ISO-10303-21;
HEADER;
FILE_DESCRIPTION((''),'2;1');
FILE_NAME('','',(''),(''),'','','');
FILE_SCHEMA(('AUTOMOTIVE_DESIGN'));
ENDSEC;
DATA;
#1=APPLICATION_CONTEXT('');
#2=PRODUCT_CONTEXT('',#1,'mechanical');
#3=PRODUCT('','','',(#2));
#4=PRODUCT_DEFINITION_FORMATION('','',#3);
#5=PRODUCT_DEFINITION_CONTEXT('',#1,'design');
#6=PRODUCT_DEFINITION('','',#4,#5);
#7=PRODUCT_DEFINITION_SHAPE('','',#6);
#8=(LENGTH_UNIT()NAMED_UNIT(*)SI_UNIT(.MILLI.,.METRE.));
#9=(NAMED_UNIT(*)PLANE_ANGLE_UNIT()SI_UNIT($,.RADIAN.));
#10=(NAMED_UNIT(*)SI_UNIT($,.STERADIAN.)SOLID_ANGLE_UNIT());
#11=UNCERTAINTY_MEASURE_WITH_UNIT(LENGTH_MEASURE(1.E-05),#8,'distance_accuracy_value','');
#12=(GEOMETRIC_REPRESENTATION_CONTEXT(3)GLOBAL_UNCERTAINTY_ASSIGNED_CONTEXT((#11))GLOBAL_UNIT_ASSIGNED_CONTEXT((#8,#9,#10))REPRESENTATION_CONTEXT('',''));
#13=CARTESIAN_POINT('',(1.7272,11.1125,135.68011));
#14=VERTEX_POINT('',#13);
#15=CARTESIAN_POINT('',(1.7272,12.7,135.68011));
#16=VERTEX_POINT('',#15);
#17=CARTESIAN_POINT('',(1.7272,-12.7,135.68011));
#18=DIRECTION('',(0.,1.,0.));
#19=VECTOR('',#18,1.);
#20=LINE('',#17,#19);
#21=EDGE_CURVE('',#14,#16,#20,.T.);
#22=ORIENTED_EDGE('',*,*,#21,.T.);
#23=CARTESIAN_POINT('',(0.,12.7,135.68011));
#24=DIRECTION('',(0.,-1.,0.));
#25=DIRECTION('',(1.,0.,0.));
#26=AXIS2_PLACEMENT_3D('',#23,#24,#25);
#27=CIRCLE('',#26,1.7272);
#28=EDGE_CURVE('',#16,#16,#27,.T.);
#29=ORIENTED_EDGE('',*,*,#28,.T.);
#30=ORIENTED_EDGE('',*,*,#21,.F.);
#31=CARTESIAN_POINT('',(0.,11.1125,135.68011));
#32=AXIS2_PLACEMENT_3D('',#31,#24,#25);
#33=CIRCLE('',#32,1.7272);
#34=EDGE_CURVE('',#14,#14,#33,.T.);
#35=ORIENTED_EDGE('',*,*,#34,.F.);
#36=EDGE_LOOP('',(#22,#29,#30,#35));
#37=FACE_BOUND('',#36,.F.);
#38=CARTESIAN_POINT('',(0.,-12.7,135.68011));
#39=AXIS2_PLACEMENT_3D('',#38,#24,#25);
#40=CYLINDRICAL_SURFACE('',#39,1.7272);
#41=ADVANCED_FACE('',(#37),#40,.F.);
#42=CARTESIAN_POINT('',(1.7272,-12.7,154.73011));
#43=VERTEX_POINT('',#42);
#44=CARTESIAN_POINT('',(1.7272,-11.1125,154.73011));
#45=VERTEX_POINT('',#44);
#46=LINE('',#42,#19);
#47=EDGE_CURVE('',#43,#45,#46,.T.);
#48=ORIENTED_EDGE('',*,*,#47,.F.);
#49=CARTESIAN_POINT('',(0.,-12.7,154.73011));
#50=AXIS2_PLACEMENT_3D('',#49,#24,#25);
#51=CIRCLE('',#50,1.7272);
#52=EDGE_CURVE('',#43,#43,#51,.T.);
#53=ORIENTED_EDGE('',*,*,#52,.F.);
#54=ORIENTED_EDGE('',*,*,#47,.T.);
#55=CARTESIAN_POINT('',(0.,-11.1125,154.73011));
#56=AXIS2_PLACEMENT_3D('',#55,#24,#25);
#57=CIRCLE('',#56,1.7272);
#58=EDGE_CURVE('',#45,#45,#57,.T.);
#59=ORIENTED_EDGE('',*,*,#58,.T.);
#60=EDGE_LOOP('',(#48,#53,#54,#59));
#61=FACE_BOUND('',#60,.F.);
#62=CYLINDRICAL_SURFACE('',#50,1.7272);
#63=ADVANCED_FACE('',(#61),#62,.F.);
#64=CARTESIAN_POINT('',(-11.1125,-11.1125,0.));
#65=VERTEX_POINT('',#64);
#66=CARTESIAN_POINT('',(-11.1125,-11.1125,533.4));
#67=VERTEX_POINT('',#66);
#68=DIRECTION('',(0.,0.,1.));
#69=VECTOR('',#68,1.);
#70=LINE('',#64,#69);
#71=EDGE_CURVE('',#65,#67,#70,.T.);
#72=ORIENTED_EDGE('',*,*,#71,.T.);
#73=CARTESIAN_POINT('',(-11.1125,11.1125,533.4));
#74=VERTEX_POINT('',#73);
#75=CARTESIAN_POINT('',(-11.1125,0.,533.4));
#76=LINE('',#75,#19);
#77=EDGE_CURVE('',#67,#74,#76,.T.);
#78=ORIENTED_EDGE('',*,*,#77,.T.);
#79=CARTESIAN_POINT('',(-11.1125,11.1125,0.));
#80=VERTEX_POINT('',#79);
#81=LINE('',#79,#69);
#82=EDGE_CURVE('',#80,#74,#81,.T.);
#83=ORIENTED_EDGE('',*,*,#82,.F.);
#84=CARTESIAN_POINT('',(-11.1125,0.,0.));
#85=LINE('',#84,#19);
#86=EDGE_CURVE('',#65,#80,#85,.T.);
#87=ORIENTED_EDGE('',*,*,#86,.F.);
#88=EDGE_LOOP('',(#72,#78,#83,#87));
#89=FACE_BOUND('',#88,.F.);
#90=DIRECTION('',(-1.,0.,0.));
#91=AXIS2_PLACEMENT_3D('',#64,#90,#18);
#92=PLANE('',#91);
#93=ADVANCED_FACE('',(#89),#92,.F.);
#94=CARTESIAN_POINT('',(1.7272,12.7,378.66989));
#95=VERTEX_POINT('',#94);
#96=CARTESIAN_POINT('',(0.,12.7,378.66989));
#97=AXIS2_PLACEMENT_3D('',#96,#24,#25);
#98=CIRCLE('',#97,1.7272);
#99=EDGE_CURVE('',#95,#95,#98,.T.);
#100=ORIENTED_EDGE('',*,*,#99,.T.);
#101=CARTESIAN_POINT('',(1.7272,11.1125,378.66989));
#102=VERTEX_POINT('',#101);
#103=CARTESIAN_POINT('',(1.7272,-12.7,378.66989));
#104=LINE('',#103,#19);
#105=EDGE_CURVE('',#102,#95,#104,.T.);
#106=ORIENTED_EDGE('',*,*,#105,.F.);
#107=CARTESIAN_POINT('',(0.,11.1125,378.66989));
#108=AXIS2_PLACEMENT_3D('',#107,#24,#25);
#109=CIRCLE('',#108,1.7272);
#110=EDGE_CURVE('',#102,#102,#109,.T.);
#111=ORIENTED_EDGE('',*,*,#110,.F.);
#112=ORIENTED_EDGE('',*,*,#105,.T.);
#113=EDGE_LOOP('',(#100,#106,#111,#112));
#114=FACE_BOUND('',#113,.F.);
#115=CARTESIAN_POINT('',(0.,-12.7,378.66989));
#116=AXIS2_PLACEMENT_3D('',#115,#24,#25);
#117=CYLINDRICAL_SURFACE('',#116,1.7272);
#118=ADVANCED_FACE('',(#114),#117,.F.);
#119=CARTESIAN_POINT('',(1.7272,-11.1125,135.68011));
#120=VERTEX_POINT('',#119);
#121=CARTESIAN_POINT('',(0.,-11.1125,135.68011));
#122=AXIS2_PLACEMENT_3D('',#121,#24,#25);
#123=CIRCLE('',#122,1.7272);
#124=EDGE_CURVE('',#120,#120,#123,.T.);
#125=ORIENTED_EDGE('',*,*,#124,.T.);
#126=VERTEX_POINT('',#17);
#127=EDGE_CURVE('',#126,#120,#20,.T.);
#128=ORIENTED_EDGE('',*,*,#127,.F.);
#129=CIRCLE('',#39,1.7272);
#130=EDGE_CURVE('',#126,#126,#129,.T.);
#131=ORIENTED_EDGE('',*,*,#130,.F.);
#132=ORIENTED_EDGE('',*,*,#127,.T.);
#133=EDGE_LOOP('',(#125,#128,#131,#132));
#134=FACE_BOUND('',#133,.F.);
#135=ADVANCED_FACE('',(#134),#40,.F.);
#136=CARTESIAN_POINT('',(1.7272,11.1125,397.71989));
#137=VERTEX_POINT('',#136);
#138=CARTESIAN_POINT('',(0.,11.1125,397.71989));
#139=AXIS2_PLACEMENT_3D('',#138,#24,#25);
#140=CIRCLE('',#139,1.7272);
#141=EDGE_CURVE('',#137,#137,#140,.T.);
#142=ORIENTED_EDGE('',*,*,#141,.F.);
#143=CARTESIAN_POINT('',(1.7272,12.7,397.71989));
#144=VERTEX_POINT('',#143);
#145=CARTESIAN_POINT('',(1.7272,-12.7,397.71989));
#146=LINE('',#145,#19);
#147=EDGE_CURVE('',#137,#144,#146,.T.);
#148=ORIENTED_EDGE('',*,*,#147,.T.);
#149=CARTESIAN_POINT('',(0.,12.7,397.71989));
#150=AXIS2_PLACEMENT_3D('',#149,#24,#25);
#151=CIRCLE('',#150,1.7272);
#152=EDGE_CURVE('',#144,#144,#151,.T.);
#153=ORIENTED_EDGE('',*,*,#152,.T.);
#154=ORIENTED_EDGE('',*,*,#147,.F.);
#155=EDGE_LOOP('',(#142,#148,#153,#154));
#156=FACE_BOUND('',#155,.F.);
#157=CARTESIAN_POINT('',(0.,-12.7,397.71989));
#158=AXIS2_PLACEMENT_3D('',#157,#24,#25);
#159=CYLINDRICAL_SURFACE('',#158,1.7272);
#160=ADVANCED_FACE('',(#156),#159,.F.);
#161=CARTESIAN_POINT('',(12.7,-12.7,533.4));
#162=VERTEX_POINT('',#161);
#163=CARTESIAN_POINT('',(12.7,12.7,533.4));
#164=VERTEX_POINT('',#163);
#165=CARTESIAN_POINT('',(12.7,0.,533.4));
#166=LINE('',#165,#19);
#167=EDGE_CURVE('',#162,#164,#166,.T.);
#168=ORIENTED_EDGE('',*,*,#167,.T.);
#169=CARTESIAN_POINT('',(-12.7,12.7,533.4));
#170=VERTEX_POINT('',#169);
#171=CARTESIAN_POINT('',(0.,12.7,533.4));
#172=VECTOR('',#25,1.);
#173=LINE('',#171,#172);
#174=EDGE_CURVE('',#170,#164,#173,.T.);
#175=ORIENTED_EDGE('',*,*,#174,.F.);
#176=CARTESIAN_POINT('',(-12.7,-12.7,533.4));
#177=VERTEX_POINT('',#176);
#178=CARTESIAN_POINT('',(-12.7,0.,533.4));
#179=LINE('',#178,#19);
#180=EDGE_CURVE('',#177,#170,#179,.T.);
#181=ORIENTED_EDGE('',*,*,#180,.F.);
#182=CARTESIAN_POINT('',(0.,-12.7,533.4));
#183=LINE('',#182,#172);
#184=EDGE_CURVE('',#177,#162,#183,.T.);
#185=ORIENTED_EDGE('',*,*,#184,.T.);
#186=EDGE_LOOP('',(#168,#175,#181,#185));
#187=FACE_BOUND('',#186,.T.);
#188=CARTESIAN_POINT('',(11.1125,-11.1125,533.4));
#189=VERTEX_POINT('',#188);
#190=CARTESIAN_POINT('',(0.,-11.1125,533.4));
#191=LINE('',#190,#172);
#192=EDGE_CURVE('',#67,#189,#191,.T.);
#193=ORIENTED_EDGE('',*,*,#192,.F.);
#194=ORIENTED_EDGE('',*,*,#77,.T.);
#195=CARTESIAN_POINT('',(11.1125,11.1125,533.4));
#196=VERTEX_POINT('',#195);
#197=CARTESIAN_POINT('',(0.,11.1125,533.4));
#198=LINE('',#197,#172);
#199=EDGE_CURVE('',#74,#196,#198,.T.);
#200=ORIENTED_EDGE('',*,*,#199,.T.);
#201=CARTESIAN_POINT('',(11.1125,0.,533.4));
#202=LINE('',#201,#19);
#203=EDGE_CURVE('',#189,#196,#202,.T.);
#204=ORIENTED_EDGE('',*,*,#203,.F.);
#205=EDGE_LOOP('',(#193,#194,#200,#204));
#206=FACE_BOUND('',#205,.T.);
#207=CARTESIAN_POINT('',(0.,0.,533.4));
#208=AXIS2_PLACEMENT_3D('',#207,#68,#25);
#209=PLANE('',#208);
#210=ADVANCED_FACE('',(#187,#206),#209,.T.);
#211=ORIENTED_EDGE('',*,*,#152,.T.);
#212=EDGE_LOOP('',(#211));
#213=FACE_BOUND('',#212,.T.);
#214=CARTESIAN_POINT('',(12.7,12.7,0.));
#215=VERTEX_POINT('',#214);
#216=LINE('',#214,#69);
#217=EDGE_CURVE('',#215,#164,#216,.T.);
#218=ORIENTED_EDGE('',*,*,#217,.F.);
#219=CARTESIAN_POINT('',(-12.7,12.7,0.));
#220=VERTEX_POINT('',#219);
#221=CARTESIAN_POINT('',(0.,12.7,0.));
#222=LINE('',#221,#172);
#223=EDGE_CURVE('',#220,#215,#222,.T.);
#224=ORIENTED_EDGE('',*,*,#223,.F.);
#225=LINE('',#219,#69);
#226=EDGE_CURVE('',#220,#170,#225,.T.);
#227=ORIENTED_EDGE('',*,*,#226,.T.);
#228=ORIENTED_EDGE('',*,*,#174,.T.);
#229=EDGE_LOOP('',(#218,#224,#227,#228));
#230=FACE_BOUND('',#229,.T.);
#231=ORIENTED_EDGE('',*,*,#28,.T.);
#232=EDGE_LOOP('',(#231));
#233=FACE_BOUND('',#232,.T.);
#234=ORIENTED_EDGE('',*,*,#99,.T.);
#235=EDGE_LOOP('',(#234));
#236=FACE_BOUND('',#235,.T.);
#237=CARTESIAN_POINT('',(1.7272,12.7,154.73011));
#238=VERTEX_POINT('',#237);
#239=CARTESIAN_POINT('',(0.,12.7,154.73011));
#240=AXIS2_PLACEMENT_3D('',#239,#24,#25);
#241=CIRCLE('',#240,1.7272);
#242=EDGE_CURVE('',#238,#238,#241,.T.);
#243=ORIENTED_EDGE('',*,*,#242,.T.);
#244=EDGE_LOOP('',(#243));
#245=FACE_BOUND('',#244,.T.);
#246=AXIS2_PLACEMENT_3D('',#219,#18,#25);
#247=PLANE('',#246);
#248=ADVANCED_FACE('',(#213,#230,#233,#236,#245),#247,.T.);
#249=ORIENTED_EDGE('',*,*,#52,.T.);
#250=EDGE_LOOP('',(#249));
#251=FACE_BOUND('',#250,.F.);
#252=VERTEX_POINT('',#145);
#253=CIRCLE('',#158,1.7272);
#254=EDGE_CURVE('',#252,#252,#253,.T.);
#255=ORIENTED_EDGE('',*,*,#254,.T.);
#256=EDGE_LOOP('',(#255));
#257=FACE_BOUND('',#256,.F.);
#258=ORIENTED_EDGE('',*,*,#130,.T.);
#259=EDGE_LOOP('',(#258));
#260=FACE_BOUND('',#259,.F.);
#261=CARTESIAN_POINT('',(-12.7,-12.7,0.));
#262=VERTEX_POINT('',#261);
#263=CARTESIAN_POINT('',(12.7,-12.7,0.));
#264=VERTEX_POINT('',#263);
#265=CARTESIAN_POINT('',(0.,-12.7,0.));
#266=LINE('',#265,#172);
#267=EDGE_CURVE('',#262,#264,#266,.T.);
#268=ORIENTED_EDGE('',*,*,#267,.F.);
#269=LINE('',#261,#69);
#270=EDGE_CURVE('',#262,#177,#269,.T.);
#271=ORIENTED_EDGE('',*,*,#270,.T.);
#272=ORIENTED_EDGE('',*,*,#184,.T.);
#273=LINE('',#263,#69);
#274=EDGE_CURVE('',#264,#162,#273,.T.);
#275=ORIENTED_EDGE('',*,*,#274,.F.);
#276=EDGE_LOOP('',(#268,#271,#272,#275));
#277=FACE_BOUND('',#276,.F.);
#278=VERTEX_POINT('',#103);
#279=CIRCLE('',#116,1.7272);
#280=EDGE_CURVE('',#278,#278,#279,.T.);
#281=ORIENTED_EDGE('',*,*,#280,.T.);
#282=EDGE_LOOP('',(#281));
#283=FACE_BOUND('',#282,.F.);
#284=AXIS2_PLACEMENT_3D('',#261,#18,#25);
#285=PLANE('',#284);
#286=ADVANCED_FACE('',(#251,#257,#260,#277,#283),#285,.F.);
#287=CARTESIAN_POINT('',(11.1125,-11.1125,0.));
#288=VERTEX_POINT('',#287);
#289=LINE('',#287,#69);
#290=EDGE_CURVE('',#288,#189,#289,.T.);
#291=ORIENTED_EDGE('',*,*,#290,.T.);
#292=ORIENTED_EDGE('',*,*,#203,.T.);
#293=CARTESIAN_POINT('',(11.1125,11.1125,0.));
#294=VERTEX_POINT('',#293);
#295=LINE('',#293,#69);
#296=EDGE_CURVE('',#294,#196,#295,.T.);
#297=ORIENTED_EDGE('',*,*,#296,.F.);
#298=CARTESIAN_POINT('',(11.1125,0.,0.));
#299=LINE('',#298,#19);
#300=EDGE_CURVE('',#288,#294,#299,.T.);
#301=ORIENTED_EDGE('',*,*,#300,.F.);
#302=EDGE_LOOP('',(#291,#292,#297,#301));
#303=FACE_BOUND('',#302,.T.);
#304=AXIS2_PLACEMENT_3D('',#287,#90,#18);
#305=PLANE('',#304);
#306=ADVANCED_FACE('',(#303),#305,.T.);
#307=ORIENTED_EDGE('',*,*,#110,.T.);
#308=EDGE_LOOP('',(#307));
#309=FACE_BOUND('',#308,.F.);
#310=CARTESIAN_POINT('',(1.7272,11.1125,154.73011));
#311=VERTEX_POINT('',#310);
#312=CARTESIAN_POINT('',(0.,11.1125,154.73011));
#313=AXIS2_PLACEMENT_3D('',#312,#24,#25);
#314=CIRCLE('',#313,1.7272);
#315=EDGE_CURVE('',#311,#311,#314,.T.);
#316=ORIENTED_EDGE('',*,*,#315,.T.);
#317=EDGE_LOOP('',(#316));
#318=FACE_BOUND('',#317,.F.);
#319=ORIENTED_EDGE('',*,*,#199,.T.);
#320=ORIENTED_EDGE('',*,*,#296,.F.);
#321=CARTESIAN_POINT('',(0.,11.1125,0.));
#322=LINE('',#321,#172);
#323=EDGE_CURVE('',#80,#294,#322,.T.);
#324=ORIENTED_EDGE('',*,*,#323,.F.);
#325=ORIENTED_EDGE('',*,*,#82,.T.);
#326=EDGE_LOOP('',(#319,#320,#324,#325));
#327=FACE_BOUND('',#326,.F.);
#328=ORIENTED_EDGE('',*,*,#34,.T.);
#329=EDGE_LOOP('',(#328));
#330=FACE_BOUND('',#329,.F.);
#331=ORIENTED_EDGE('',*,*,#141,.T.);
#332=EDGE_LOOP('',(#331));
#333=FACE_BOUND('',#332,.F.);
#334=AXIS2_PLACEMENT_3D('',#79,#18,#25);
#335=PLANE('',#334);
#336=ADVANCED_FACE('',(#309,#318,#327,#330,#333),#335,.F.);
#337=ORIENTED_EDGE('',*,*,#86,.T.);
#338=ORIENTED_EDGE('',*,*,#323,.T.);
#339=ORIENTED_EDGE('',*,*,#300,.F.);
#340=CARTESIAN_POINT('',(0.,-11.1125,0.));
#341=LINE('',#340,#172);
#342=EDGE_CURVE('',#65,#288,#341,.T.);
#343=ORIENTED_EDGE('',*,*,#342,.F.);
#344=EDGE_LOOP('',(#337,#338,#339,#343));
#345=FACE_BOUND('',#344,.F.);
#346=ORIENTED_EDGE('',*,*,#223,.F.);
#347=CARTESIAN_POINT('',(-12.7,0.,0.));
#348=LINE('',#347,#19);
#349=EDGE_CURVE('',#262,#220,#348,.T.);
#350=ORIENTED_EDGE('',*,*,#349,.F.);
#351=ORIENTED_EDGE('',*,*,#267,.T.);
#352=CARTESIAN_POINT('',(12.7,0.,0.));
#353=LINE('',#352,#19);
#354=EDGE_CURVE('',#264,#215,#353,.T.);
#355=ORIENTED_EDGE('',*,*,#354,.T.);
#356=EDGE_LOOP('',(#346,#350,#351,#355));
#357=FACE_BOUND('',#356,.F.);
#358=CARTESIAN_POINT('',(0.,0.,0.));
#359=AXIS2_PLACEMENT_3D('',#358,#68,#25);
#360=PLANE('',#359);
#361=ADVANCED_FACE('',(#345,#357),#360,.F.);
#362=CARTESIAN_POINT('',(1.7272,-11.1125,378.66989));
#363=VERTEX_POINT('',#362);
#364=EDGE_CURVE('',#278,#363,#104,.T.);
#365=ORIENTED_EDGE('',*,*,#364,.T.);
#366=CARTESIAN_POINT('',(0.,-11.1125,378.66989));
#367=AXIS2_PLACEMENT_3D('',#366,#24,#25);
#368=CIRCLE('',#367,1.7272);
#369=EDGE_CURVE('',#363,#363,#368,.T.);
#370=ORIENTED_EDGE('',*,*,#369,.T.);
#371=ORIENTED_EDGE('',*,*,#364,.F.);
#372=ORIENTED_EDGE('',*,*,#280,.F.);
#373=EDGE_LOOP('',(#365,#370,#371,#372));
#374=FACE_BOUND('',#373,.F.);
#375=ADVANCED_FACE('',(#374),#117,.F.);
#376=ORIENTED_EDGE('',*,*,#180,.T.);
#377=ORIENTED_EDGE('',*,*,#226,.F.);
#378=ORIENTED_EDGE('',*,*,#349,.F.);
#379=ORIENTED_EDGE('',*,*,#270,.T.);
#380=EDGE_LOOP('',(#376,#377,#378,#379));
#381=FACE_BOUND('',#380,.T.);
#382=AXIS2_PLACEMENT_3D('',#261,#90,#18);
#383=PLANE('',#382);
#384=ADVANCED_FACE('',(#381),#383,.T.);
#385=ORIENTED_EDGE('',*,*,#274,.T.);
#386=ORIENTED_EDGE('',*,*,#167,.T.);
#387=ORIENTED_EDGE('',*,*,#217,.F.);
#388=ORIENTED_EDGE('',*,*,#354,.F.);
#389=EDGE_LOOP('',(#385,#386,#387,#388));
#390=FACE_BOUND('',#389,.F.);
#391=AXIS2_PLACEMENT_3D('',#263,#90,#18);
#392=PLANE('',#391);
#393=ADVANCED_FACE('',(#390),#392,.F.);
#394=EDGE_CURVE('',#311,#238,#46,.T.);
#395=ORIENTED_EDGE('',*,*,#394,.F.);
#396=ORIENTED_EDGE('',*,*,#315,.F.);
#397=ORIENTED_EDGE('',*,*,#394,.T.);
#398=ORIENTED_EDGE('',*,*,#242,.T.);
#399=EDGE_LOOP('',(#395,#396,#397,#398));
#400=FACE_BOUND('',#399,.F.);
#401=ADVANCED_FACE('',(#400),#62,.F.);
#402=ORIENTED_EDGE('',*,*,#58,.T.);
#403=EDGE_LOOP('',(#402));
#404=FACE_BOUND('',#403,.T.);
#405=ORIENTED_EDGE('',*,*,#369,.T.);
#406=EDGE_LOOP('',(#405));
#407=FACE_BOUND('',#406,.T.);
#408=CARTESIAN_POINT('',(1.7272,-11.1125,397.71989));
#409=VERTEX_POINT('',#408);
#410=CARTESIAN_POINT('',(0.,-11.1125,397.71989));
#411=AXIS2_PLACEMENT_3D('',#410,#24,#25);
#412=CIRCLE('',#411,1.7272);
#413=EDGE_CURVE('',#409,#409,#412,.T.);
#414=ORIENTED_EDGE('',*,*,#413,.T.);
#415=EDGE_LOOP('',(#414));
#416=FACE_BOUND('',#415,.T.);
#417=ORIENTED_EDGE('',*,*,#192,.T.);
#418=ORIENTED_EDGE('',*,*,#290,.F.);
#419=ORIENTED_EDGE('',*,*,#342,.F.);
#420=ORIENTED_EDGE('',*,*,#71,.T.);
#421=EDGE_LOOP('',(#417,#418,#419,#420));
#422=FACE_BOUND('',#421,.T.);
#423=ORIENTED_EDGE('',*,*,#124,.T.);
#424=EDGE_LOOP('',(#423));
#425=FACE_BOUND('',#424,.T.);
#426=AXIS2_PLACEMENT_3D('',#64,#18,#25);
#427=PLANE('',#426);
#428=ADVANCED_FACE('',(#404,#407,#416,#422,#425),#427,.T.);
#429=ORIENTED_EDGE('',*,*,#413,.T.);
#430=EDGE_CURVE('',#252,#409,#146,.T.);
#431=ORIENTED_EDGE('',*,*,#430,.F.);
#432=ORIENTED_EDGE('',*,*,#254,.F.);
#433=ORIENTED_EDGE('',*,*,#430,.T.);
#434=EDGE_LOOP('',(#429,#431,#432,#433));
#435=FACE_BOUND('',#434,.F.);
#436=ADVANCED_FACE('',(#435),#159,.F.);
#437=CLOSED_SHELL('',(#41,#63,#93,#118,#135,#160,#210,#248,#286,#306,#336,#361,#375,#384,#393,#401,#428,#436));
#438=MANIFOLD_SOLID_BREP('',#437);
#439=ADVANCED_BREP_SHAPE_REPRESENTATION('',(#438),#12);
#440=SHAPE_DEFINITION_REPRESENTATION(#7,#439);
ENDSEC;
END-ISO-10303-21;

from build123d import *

# Parameters (mm, degrees)
F0_W     = 25.4
F0_H     = 25.4
F0_W_2   = 22.225
F0_H_2   = 22.225
F1_DEPTH = 533.4
F2_R     = 1.7272
F3_DEPTH = 25.4


with BuildPart() as f1:
    # F0 (on Top) → F1 (new body)
    with BuildSketch(Plane.XY):
        Rectangle(F0_W, F0_H)
        Rectangle(F0_W_2, F0_H_2, mode=Mode.SUBTRACT)
    extrude(amount=F1_DEPTH)

    # F2 (on face) → F3 (cut, through all)
    with BuildSketch(Plane.XZ.offset(12.7)):
        with Locations((0, 135.68011)):
            Circle(F2_R)
        with Locations((0, 154.73011)):
            Circle(F2_R)
        with Locations((0, 397.71989)):
            Circle(F2_R)
        with Locations((0, 378.66989)):
            Circle(F2_R)
    extrude(amount=-F3_DEPTH, mode=Mode.SUBTRACT)


solid = f1.part
